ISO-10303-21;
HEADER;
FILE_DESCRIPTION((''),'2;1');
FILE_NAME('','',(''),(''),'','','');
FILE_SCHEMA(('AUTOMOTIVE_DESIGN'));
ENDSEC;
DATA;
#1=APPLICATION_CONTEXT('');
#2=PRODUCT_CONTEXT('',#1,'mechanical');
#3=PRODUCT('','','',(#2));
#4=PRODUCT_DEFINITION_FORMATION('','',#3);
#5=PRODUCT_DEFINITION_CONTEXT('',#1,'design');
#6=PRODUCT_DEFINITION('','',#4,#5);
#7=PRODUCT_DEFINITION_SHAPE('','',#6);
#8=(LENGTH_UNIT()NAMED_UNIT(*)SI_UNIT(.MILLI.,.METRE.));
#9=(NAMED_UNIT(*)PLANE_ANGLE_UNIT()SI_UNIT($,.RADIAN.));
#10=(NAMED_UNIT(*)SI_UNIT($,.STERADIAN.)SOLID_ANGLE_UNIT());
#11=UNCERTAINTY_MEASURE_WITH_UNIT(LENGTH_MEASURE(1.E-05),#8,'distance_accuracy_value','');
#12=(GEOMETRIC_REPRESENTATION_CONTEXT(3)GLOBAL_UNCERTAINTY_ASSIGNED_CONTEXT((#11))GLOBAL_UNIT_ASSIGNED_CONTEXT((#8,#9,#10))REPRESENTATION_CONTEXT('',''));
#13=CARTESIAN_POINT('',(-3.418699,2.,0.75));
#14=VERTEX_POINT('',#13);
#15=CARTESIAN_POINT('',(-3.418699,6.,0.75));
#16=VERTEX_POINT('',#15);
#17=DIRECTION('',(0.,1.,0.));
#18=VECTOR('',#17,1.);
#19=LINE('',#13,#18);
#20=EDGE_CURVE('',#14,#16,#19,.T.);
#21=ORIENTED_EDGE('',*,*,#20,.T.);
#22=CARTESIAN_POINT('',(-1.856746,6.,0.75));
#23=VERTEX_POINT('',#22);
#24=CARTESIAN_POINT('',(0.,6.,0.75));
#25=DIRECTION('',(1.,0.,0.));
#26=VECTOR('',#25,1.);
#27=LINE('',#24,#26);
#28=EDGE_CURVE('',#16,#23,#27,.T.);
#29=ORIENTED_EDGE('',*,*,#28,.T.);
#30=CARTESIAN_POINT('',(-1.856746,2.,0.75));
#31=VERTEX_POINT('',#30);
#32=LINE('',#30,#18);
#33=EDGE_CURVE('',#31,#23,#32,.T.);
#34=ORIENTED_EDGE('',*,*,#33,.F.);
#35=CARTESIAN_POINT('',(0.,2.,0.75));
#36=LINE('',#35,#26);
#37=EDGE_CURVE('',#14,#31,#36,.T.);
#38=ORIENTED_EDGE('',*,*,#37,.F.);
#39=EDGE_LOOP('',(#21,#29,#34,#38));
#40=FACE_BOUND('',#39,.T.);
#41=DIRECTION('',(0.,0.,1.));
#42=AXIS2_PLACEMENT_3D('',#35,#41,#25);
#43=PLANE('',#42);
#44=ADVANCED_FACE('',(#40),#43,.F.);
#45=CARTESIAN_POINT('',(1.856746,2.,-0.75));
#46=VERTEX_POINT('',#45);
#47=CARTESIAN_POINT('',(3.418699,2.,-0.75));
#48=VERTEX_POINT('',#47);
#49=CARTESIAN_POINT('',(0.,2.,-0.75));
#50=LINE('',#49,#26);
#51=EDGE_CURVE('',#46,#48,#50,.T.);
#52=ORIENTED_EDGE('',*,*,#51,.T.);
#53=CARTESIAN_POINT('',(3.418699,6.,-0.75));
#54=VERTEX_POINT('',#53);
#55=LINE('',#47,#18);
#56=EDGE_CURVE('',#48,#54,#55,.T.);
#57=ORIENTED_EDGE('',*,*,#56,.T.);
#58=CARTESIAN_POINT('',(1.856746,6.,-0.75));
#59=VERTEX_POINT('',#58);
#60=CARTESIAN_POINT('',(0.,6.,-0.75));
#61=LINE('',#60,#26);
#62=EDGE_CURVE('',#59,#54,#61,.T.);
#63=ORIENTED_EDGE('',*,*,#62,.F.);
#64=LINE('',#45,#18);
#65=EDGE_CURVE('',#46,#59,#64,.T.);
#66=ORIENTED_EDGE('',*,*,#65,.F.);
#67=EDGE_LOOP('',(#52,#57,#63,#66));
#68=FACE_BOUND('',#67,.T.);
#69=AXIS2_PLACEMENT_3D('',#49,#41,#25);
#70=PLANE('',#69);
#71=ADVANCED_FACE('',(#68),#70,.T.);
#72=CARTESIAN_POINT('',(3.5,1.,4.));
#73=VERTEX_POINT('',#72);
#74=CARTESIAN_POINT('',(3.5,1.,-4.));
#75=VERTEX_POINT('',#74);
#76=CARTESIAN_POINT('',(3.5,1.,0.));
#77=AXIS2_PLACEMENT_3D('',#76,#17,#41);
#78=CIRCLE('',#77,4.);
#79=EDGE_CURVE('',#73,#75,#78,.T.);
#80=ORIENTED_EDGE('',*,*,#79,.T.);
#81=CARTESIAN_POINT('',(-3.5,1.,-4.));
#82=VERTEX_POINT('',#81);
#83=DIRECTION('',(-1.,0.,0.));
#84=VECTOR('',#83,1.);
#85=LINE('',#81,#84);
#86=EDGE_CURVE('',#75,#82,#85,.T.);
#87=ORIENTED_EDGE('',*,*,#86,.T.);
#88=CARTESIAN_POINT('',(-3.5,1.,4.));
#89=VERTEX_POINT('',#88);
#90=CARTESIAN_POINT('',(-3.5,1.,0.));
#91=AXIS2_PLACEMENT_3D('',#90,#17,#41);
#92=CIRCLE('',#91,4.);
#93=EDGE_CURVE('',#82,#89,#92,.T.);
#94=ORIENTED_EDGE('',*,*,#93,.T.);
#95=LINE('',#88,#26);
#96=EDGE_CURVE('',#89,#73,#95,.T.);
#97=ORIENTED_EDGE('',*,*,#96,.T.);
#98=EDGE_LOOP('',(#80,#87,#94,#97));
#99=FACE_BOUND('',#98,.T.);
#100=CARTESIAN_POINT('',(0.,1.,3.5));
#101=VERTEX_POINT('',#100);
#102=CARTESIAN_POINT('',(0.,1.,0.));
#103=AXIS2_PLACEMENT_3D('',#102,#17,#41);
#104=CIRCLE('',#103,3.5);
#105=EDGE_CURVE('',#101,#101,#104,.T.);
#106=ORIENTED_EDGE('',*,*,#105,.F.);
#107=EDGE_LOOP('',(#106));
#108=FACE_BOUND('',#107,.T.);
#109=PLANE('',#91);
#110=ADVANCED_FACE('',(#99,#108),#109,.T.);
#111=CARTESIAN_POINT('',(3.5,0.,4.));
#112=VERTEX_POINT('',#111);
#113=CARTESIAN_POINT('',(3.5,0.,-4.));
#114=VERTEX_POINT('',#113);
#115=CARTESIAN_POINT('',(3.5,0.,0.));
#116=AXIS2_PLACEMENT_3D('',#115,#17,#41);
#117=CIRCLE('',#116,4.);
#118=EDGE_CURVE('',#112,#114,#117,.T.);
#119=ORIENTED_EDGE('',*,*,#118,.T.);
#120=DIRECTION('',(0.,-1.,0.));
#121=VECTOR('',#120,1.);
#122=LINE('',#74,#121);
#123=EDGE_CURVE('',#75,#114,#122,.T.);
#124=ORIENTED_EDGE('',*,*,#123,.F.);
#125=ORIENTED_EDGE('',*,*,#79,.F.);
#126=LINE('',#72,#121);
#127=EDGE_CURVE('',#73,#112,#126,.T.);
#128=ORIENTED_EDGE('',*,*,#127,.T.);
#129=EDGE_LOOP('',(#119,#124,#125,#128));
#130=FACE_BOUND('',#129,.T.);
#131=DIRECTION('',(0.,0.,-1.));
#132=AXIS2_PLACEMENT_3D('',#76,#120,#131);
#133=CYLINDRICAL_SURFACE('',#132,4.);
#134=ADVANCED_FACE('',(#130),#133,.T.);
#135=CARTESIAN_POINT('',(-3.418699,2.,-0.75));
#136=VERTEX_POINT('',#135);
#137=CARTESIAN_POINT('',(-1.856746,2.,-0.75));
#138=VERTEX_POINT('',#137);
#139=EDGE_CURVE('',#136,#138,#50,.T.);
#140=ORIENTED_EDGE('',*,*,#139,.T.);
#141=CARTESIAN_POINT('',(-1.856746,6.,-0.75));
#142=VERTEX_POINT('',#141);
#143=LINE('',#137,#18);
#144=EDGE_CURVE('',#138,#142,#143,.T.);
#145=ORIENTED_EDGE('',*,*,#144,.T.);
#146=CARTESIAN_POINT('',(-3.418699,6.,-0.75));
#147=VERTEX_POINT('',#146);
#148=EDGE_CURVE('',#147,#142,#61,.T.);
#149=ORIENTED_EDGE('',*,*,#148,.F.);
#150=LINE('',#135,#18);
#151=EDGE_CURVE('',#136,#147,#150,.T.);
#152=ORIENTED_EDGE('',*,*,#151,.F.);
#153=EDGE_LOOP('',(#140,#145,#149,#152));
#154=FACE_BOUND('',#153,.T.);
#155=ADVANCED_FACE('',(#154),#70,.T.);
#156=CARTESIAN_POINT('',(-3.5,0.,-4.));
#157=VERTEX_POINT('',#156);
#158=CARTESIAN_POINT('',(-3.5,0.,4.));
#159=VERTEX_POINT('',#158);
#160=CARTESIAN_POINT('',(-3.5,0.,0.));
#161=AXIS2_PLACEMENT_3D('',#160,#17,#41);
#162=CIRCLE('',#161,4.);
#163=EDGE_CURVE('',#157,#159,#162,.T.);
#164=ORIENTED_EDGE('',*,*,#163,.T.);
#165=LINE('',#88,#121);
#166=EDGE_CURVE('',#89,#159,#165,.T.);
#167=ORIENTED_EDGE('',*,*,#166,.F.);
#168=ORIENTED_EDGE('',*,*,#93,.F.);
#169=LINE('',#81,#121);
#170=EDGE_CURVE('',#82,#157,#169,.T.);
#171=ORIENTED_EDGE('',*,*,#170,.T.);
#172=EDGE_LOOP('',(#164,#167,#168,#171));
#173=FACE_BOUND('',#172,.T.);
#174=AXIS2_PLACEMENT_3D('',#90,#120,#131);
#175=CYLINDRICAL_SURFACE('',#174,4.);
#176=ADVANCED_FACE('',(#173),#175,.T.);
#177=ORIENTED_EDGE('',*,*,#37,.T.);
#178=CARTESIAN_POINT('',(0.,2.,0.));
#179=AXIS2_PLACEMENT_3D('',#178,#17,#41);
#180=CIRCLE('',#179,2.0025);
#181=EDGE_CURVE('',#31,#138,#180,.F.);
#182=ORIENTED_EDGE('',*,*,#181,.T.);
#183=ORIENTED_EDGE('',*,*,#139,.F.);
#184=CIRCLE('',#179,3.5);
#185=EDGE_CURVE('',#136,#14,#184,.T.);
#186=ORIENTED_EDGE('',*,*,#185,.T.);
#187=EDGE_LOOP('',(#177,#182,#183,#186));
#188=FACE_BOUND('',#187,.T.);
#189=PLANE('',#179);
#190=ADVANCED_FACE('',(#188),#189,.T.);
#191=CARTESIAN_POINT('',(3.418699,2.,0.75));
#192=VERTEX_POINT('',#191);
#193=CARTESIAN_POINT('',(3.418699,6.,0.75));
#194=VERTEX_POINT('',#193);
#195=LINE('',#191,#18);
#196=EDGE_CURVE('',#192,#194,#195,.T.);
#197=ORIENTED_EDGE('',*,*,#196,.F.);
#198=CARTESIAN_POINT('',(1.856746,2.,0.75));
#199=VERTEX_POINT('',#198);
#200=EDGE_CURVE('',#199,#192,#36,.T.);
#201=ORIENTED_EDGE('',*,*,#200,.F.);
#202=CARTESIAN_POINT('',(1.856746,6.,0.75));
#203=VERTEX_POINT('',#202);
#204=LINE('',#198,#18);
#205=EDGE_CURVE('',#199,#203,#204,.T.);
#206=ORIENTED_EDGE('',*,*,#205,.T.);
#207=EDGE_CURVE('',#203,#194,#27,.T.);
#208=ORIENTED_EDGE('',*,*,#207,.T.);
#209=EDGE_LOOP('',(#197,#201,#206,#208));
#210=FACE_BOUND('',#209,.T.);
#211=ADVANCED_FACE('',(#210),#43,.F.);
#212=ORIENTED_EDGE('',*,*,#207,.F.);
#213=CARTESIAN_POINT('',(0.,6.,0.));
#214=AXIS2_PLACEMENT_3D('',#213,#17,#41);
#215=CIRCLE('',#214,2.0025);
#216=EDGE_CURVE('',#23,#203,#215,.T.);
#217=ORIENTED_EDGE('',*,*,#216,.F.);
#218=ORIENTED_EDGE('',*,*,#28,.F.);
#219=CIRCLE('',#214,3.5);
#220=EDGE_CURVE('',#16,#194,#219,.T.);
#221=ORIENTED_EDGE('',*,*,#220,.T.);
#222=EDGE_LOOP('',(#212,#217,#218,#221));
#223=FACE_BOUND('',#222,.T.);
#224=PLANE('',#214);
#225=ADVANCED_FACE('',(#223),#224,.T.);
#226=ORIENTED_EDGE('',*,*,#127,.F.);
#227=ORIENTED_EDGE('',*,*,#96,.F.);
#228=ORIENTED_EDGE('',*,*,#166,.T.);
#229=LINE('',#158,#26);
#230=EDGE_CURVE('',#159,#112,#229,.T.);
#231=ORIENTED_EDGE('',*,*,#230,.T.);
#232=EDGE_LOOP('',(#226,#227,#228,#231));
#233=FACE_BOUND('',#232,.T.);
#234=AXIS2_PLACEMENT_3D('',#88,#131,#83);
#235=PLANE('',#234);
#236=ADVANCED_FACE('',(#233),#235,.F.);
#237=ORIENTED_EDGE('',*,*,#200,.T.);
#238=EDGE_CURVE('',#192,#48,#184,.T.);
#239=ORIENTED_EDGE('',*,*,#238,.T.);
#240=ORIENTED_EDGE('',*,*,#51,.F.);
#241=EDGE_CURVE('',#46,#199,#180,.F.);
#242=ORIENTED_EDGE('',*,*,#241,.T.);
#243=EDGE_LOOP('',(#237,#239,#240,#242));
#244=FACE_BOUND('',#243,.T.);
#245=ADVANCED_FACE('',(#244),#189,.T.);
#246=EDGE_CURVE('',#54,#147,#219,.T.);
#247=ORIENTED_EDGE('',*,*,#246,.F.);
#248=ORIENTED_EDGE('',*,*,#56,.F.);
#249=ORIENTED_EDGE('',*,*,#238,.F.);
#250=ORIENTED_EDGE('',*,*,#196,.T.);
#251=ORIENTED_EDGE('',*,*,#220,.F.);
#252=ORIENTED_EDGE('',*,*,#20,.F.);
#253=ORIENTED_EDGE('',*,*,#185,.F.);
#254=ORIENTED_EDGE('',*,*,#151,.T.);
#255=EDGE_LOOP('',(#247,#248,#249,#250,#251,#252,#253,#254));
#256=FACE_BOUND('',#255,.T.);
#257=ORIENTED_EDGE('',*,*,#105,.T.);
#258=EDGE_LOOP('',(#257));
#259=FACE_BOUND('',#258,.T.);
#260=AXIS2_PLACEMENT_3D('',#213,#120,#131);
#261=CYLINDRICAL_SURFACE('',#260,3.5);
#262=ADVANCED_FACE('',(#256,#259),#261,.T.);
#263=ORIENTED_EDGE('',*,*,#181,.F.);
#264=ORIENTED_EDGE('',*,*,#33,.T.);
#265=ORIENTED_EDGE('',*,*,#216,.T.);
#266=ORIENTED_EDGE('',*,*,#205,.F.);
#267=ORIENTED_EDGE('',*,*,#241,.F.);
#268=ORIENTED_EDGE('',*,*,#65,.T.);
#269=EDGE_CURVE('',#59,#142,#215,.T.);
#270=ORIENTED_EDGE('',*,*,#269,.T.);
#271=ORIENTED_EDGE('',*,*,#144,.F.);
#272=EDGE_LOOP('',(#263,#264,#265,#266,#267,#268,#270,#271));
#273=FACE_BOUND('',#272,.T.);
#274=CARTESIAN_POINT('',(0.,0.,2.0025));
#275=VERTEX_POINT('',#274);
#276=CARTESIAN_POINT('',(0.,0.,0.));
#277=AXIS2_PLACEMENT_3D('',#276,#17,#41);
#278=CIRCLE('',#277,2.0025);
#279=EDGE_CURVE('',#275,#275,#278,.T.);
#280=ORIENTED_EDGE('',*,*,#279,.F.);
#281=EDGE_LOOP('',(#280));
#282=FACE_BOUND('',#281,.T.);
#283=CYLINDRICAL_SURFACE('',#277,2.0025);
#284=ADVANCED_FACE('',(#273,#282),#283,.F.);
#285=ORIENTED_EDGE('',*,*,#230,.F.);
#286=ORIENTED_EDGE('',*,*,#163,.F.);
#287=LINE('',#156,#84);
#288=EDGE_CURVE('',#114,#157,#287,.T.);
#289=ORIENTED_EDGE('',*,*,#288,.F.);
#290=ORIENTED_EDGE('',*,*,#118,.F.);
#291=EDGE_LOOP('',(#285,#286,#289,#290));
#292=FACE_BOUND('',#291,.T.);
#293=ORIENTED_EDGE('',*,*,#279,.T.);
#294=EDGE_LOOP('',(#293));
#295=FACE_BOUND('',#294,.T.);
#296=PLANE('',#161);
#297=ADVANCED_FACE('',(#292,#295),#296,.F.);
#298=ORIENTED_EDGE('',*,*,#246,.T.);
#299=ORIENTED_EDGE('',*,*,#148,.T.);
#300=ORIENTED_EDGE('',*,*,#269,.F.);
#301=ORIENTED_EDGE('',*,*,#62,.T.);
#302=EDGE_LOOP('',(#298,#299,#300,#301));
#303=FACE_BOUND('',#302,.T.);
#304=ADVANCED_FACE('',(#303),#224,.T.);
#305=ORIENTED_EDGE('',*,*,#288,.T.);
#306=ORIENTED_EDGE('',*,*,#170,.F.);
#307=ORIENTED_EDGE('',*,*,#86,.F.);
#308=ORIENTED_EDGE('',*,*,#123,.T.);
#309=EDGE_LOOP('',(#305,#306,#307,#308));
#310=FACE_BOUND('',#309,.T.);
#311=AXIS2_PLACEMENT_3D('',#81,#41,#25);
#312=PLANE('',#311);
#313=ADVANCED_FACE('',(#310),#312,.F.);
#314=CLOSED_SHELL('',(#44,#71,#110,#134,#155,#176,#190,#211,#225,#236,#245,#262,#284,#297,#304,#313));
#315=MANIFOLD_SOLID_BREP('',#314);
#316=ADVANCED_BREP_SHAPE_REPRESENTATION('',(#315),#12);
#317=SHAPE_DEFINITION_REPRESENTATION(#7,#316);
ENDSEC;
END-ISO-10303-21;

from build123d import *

# Parameters (mm, degrees)
BOSS_EXTRUDE1_DEPTH = 1
SKETCH2_R           = 3.5
BOSS_EXTRUDE2_DEPTH = 5
SKETCH3_R           = 2.0025
CUT_EXTRUDE1_DEPTH  = 7
CUT_EXTRUDE2_DEPTH  = 4


with BuildPart() as part:
    # Sketch1 → Boss-Extrude1 (new body)
    with BuildSketch(Plane(origin=(0, 0, 0), x_dir=(1, 0, 0), z_dir=(0, 1, 0))):
        with BuildLine():
            Line((-3.5, 4), (3.5, 4))
            ThreePointArc((3.5, 4), (7.5, 0), (3.5, -4))
            Line((3.5, -4), (-3.5, -4))
            ThreePointArc((-3.5, -4), (-7.5, 0), (-3.5, 4))
        make_face()
    extrude(amount=BOSS_EXTRUDE1_DEPTH)

    # Sketch2 → Boss-Extrude2 (add)
    with BuildSketch(Plane(origin=(0, 1, 0), x_dir=(1, 0, 0), z_dir=(0, 1, 0))):
        Circle(SKETCH2_R)
    extrude(amount=BOSS_EXTRUDE2_DEPTH)

    # Sketch3 → Cut-Extrude1 (cut, through all)
    with BuildSketch(Plane(origin=(0, 6, 0), x_dir=(1, 0, 0), z_dir=(0, 1, 0))):
        Circle(SKETCH3_R)
    extrude(amount=-CUT_EXTRUDE1_DEPTH, mode=Mode.SUBTRACT)

    # Sketch4 → Cut-Extrude2 (cut)
    with BuildSketch(Plane(origin=(0, 6, 0), x_dir=(1, 0, 0), z_dir=(0, 1, 0))):
        with BuildLine():
            Line((-1.856746146, 0.75), (-3.418698583, 0.75))
            ThreePointArc((-3.418698583, 0.75), (-3.5, 0), (-3.418698583, -0.75))
            Line((-3.418698583, -0.75), (-1.856746146, -0.75))
            ThreePointArc((-1.856746146, -0.75), (-2.0025, 0), (-1.856746146, 0.75))
        make_face()
        with BuildLine():
            ThreePointArc((3.418698583, -0.75), (3.5, 0), (3.418698583, 0.75))
            Line((3.418698583, 0.75), (1.856746146, 0.75))
            ThreePointArc((1.856746146, 0.75), (2.0025, 0), (1.856746146, -0.75))
            Line((1.856746146, -0.75), (3.418698583, -0.75))
        make_face()
    extrude(amount=-CUT_EXTRUDE2_DEPTH, mode=Mode.SUBTRACT)


solid = part.part
